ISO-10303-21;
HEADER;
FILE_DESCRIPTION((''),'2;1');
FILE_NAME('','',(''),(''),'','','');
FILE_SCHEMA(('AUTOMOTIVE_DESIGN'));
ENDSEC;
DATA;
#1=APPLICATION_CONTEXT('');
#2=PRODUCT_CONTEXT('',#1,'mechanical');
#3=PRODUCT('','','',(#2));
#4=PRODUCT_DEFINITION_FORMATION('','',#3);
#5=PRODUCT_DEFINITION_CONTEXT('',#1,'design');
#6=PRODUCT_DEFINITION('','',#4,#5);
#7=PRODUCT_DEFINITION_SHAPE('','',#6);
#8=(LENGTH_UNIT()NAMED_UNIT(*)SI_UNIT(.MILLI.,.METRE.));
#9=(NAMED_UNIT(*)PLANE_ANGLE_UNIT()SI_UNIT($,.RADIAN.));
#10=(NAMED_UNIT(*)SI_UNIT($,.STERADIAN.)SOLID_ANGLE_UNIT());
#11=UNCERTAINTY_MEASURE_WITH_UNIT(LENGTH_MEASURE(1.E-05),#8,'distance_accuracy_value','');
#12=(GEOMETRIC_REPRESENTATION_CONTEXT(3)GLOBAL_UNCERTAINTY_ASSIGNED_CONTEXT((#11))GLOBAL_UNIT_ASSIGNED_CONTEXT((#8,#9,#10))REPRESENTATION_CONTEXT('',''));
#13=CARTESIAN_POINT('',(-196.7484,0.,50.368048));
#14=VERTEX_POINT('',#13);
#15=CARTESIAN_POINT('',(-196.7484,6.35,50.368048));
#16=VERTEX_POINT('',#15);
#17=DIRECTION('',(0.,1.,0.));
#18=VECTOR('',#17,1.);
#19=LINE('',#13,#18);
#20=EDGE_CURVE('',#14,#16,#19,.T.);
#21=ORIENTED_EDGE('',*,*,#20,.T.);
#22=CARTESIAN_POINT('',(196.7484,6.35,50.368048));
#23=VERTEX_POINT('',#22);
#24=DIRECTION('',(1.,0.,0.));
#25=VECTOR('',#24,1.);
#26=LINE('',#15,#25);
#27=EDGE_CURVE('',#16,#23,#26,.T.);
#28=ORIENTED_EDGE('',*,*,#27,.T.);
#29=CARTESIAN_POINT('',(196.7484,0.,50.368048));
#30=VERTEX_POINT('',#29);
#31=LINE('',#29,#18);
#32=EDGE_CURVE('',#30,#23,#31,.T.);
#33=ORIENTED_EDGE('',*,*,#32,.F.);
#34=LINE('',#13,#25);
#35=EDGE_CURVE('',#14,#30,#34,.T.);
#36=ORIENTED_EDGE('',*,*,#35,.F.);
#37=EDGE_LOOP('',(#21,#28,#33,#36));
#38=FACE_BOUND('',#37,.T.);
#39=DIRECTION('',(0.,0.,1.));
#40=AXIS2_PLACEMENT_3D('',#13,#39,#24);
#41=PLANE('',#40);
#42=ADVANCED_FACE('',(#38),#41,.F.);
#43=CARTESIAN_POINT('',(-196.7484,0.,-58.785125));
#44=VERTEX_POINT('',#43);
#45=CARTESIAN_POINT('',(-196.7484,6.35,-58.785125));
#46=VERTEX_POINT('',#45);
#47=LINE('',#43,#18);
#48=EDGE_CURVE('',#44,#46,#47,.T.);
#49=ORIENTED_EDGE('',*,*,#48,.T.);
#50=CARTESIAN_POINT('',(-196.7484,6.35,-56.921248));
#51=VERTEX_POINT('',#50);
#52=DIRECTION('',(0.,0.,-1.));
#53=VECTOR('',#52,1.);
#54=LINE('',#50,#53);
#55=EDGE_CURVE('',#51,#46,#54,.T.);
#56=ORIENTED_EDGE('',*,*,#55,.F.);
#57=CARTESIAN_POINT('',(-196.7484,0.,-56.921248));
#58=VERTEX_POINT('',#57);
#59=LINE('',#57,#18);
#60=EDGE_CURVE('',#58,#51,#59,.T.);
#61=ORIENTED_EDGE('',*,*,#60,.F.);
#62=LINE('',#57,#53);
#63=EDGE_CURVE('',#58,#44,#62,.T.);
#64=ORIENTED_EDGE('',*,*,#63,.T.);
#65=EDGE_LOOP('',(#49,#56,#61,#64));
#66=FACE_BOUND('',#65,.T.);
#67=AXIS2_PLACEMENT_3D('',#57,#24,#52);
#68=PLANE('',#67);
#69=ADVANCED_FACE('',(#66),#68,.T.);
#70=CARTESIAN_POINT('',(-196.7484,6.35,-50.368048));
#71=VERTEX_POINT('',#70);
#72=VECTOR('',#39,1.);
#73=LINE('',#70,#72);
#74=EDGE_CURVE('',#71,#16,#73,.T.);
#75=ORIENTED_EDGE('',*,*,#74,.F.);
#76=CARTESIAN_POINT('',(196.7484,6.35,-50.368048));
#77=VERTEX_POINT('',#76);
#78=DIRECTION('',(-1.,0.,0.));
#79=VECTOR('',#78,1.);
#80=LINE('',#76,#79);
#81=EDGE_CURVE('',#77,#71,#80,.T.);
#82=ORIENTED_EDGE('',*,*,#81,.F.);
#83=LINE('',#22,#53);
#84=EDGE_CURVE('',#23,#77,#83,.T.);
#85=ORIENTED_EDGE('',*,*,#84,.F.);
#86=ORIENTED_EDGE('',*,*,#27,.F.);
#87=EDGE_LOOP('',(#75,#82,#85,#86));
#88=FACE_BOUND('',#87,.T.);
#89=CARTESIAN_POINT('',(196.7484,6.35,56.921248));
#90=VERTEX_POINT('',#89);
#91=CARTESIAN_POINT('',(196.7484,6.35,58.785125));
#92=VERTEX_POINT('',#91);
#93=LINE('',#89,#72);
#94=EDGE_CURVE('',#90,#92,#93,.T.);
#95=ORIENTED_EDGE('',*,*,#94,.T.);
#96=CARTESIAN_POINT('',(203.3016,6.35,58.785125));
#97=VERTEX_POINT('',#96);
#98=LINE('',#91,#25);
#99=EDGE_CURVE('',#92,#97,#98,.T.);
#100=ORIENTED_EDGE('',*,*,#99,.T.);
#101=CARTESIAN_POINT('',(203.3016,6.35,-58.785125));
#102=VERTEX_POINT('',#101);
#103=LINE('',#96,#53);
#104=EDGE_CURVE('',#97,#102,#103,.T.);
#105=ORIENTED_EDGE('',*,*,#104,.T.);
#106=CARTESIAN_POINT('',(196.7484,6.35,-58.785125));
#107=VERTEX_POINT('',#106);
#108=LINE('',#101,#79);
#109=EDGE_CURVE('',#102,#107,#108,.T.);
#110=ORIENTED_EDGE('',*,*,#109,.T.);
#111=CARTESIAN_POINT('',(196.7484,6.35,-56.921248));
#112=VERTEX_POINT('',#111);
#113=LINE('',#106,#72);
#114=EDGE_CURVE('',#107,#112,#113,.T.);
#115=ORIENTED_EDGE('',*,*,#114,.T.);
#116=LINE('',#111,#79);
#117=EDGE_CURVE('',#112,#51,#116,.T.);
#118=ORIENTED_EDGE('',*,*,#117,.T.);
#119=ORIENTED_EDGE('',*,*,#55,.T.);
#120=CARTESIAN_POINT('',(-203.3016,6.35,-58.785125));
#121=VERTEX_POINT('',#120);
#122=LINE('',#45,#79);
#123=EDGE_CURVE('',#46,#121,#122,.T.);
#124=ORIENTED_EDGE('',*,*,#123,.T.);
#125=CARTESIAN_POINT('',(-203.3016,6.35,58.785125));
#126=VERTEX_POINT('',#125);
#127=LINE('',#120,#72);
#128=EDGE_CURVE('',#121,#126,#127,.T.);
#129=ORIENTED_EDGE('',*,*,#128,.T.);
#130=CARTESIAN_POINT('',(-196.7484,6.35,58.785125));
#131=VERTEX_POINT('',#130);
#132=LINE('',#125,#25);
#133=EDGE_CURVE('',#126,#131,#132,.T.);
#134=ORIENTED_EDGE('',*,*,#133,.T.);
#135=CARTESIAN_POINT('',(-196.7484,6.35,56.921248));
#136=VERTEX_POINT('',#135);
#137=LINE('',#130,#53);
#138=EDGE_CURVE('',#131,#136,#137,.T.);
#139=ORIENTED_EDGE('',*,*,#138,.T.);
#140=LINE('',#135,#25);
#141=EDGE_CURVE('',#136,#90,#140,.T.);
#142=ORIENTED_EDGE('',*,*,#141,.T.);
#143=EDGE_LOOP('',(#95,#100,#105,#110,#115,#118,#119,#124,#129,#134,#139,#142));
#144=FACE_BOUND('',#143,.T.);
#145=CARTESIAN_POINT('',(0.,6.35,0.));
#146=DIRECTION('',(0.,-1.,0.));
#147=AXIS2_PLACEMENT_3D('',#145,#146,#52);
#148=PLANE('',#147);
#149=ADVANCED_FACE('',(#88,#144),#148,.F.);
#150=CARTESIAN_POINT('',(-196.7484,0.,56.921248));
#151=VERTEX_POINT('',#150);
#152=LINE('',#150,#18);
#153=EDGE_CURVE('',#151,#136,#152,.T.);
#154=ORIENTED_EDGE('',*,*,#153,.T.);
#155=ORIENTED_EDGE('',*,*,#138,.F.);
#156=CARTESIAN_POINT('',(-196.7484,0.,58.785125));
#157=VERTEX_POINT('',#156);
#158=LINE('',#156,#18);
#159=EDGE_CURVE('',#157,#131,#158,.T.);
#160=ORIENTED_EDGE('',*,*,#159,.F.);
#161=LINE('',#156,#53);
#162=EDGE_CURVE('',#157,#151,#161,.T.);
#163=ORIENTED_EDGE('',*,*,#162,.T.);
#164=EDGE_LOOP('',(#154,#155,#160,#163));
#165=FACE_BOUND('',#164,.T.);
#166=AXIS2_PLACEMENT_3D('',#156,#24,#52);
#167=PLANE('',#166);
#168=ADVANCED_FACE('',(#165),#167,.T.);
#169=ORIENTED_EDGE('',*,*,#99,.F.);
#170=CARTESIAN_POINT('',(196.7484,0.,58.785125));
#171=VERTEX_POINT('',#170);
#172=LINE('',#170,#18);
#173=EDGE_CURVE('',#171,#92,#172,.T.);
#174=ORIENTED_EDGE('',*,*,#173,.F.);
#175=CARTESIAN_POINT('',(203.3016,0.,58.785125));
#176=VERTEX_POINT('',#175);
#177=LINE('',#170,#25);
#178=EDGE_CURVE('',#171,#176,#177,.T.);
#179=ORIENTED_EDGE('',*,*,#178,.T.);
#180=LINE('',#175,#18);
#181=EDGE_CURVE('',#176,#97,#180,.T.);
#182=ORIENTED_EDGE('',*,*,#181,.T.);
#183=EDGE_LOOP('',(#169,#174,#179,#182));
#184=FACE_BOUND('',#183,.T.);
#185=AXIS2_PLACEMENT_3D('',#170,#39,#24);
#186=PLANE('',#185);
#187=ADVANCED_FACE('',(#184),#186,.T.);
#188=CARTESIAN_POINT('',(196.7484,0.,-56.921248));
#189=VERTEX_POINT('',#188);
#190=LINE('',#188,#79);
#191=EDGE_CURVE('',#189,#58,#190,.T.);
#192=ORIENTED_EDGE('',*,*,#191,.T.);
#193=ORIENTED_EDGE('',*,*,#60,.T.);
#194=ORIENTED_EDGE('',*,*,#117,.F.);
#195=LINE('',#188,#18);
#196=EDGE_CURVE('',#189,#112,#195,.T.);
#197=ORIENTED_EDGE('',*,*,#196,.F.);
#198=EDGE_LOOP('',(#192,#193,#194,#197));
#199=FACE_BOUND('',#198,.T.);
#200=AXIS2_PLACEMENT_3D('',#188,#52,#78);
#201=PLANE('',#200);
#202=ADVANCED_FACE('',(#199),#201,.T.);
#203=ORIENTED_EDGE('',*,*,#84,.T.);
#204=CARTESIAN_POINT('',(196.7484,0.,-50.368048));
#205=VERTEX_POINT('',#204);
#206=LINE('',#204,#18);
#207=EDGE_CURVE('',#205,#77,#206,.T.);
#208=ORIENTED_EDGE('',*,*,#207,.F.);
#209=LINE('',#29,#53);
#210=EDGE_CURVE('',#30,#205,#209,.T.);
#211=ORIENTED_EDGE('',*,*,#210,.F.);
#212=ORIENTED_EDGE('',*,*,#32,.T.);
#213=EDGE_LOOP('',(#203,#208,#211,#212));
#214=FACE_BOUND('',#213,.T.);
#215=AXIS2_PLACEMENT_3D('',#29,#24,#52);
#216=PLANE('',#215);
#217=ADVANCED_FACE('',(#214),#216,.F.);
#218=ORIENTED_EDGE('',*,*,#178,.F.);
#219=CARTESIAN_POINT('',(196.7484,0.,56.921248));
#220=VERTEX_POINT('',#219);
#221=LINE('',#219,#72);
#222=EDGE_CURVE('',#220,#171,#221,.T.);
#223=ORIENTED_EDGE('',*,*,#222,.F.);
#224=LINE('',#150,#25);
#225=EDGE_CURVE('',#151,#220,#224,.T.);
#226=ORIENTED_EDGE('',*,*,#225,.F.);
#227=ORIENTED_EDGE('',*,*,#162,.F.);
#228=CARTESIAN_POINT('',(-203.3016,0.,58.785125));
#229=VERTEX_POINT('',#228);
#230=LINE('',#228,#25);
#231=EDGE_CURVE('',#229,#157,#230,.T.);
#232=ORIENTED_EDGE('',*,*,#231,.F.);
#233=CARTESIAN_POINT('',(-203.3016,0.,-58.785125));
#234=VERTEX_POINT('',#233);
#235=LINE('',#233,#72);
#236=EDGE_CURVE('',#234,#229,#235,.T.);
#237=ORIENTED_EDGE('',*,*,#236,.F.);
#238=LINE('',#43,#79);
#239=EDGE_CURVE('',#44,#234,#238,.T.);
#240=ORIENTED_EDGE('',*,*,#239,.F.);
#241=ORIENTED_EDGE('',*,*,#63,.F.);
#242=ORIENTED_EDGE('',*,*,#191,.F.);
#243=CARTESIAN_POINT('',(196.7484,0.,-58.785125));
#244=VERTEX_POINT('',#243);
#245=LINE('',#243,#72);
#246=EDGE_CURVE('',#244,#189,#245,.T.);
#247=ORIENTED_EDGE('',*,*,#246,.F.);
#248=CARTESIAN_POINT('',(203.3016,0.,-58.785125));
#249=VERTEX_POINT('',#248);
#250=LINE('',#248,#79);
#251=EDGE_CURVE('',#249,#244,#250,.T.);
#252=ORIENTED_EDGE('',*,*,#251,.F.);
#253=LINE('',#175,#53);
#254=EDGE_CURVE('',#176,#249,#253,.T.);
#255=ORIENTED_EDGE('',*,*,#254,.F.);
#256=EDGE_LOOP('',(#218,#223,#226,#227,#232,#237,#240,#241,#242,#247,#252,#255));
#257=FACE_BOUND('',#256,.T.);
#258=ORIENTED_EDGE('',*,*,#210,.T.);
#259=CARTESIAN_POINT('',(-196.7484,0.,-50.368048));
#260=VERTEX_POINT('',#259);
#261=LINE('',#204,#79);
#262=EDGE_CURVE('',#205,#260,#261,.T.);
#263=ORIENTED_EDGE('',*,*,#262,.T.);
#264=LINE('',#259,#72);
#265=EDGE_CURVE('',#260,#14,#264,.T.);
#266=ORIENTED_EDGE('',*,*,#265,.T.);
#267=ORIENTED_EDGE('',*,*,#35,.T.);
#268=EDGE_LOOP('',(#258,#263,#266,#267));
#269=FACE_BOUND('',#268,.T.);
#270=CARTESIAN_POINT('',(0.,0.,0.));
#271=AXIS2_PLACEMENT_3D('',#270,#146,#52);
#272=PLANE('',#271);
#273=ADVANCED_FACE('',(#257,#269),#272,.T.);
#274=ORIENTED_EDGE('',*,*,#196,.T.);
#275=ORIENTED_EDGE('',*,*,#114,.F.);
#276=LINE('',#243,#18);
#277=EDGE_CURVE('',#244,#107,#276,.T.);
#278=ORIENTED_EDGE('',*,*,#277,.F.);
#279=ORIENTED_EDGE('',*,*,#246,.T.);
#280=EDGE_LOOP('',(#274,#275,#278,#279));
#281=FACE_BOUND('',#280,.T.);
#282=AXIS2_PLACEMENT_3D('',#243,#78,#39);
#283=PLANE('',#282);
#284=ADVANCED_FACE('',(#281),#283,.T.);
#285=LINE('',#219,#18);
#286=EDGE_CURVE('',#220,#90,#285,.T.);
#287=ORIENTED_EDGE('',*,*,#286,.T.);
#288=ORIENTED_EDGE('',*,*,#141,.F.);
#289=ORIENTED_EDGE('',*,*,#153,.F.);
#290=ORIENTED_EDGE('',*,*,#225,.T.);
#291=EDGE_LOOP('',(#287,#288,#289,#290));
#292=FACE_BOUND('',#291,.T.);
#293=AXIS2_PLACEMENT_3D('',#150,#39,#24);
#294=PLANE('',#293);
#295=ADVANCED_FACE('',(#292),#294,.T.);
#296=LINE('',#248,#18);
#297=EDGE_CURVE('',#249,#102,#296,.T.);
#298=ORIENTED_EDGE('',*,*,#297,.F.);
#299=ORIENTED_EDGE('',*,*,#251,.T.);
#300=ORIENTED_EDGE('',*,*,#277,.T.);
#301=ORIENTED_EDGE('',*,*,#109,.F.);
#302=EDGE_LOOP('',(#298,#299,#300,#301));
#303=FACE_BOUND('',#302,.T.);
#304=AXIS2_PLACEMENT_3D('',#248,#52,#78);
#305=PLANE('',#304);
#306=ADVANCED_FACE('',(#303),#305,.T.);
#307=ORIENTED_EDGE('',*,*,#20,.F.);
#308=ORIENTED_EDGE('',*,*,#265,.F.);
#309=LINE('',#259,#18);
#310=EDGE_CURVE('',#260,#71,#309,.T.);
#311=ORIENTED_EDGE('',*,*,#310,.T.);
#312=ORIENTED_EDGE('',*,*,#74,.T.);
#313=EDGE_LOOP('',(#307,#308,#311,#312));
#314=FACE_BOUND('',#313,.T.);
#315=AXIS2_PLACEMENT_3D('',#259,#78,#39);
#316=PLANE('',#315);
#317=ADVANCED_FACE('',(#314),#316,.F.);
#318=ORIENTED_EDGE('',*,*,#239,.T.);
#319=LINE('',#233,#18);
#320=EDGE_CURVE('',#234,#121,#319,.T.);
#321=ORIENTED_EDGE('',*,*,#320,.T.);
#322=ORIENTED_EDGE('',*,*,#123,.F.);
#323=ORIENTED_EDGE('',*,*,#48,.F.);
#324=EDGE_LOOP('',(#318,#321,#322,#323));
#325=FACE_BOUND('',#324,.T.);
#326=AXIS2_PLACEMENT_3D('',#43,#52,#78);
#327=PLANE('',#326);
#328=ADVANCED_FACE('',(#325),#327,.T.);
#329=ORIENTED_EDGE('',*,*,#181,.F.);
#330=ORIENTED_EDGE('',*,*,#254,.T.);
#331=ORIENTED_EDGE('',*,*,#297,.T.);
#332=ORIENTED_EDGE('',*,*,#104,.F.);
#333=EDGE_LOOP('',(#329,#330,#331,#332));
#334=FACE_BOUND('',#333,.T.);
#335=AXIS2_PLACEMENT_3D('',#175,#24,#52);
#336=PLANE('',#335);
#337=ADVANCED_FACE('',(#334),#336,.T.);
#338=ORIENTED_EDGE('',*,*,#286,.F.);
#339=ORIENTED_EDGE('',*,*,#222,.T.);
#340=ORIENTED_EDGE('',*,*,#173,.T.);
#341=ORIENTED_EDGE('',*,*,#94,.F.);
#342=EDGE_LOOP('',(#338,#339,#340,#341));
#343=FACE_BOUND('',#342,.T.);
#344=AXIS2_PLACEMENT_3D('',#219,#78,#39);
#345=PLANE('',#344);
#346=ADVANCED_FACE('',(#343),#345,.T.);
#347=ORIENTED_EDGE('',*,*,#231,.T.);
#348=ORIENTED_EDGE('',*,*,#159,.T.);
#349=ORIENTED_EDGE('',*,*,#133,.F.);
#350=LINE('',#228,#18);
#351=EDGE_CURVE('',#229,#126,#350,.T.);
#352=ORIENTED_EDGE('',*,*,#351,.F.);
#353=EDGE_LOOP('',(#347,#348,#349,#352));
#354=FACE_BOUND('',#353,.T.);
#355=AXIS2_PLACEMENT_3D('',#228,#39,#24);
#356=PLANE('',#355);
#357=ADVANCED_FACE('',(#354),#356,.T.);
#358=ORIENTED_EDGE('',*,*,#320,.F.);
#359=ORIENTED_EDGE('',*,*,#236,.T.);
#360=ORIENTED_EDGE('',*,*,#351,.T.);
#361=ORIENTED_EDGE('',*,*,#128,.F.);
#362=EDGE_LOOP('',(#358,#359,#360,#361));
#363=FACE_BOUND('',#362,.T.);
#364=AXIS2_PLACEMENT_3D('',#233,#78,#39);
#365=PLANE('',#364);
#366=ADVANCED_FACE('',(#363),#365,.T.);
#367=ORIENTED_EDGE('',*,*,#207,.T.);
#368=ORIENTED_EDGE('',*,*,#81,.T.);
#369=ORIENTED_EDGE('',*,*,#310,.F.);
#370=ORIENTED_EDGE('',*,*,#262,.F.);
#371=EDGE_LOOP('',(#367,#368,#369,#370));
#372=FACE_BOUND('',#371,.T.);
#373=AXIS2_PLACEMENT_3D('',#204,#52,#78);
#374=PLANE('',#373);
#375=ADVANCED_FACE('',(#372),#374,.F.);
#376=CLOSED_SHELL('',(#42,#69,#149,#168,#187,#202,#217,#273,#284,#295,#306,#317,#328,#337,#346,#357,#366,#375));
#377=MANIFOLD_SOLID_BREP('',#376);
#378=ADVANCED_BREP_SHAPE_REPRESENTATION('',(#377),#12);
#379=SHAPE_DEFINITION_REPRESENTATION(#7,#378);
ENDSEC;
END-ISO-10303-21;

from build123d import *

# Parameters (mm, degrees)
SKETCH1_W           = 393.7
SKETCH1_H           = 100.9392952
BOSS_EXTRUDE1_DEPTH = 6.35
SKETCH2_W           = 393.4968
SKETCH2_H           = 100.7360952
BOSS_EXTRUDE2_DEPTH = 6.35


with BuildPart() as part:
    # Sketch1 → Boss-Extrude1 (new body)
    with BuildSketch(Plane(origin=(0, 0, 0), x_dir=(1, 0, 0), z_dir=(0, 1, 0))):
        Polygon((196.85, 58.683525), (203.2, 58.683525), (203.2, -58.683525), (196.85, -58.683525), (196.85, -56.8196476), (-196.85, -56.8196476), (-196.85, -58.683525), (-203.2, -58.683525), (-203.2, 58.683525), (-196.85, 58.683525), (-196.85, 56.8196476), (196.85, 56.8196476), align=None)
        Rectangle(SKETCH1_W, SKETCH1_H, mode=Mode.SUBTRACT)
    extrude(amount=BOSS_EXTRUDE1_DEPTH)

    # Sketch2 → Boss-Extrude2 (add)
    with BuildSketch(Plane(origin=(0, 6.35, 0), x_dir=(1, 0, 0), z_dir=(0, 1, 0))):
        Polygon((196.7484, -58.785125), (203.3016, -58.785125), (203.3016, 58.785125), (196.7484, 58.785125), (196.7484, 56.9212476), (-196.7484, 56.9212476), (-196.7484, 58.785125), (-203.3016, 58.785125), (-203.3016, -58.785125), (-196.7484, -58.785125), (-196.7484, -56.9212476), (196.7484, -56.9212476), align=None)
        Rectangle(SKETCH2_W, SKETCH2_H, mode=Mode.SUBTRACT)
    extrude(amount=-BOSS_EXTRUDE2_DEPTH)


solid = part.part
